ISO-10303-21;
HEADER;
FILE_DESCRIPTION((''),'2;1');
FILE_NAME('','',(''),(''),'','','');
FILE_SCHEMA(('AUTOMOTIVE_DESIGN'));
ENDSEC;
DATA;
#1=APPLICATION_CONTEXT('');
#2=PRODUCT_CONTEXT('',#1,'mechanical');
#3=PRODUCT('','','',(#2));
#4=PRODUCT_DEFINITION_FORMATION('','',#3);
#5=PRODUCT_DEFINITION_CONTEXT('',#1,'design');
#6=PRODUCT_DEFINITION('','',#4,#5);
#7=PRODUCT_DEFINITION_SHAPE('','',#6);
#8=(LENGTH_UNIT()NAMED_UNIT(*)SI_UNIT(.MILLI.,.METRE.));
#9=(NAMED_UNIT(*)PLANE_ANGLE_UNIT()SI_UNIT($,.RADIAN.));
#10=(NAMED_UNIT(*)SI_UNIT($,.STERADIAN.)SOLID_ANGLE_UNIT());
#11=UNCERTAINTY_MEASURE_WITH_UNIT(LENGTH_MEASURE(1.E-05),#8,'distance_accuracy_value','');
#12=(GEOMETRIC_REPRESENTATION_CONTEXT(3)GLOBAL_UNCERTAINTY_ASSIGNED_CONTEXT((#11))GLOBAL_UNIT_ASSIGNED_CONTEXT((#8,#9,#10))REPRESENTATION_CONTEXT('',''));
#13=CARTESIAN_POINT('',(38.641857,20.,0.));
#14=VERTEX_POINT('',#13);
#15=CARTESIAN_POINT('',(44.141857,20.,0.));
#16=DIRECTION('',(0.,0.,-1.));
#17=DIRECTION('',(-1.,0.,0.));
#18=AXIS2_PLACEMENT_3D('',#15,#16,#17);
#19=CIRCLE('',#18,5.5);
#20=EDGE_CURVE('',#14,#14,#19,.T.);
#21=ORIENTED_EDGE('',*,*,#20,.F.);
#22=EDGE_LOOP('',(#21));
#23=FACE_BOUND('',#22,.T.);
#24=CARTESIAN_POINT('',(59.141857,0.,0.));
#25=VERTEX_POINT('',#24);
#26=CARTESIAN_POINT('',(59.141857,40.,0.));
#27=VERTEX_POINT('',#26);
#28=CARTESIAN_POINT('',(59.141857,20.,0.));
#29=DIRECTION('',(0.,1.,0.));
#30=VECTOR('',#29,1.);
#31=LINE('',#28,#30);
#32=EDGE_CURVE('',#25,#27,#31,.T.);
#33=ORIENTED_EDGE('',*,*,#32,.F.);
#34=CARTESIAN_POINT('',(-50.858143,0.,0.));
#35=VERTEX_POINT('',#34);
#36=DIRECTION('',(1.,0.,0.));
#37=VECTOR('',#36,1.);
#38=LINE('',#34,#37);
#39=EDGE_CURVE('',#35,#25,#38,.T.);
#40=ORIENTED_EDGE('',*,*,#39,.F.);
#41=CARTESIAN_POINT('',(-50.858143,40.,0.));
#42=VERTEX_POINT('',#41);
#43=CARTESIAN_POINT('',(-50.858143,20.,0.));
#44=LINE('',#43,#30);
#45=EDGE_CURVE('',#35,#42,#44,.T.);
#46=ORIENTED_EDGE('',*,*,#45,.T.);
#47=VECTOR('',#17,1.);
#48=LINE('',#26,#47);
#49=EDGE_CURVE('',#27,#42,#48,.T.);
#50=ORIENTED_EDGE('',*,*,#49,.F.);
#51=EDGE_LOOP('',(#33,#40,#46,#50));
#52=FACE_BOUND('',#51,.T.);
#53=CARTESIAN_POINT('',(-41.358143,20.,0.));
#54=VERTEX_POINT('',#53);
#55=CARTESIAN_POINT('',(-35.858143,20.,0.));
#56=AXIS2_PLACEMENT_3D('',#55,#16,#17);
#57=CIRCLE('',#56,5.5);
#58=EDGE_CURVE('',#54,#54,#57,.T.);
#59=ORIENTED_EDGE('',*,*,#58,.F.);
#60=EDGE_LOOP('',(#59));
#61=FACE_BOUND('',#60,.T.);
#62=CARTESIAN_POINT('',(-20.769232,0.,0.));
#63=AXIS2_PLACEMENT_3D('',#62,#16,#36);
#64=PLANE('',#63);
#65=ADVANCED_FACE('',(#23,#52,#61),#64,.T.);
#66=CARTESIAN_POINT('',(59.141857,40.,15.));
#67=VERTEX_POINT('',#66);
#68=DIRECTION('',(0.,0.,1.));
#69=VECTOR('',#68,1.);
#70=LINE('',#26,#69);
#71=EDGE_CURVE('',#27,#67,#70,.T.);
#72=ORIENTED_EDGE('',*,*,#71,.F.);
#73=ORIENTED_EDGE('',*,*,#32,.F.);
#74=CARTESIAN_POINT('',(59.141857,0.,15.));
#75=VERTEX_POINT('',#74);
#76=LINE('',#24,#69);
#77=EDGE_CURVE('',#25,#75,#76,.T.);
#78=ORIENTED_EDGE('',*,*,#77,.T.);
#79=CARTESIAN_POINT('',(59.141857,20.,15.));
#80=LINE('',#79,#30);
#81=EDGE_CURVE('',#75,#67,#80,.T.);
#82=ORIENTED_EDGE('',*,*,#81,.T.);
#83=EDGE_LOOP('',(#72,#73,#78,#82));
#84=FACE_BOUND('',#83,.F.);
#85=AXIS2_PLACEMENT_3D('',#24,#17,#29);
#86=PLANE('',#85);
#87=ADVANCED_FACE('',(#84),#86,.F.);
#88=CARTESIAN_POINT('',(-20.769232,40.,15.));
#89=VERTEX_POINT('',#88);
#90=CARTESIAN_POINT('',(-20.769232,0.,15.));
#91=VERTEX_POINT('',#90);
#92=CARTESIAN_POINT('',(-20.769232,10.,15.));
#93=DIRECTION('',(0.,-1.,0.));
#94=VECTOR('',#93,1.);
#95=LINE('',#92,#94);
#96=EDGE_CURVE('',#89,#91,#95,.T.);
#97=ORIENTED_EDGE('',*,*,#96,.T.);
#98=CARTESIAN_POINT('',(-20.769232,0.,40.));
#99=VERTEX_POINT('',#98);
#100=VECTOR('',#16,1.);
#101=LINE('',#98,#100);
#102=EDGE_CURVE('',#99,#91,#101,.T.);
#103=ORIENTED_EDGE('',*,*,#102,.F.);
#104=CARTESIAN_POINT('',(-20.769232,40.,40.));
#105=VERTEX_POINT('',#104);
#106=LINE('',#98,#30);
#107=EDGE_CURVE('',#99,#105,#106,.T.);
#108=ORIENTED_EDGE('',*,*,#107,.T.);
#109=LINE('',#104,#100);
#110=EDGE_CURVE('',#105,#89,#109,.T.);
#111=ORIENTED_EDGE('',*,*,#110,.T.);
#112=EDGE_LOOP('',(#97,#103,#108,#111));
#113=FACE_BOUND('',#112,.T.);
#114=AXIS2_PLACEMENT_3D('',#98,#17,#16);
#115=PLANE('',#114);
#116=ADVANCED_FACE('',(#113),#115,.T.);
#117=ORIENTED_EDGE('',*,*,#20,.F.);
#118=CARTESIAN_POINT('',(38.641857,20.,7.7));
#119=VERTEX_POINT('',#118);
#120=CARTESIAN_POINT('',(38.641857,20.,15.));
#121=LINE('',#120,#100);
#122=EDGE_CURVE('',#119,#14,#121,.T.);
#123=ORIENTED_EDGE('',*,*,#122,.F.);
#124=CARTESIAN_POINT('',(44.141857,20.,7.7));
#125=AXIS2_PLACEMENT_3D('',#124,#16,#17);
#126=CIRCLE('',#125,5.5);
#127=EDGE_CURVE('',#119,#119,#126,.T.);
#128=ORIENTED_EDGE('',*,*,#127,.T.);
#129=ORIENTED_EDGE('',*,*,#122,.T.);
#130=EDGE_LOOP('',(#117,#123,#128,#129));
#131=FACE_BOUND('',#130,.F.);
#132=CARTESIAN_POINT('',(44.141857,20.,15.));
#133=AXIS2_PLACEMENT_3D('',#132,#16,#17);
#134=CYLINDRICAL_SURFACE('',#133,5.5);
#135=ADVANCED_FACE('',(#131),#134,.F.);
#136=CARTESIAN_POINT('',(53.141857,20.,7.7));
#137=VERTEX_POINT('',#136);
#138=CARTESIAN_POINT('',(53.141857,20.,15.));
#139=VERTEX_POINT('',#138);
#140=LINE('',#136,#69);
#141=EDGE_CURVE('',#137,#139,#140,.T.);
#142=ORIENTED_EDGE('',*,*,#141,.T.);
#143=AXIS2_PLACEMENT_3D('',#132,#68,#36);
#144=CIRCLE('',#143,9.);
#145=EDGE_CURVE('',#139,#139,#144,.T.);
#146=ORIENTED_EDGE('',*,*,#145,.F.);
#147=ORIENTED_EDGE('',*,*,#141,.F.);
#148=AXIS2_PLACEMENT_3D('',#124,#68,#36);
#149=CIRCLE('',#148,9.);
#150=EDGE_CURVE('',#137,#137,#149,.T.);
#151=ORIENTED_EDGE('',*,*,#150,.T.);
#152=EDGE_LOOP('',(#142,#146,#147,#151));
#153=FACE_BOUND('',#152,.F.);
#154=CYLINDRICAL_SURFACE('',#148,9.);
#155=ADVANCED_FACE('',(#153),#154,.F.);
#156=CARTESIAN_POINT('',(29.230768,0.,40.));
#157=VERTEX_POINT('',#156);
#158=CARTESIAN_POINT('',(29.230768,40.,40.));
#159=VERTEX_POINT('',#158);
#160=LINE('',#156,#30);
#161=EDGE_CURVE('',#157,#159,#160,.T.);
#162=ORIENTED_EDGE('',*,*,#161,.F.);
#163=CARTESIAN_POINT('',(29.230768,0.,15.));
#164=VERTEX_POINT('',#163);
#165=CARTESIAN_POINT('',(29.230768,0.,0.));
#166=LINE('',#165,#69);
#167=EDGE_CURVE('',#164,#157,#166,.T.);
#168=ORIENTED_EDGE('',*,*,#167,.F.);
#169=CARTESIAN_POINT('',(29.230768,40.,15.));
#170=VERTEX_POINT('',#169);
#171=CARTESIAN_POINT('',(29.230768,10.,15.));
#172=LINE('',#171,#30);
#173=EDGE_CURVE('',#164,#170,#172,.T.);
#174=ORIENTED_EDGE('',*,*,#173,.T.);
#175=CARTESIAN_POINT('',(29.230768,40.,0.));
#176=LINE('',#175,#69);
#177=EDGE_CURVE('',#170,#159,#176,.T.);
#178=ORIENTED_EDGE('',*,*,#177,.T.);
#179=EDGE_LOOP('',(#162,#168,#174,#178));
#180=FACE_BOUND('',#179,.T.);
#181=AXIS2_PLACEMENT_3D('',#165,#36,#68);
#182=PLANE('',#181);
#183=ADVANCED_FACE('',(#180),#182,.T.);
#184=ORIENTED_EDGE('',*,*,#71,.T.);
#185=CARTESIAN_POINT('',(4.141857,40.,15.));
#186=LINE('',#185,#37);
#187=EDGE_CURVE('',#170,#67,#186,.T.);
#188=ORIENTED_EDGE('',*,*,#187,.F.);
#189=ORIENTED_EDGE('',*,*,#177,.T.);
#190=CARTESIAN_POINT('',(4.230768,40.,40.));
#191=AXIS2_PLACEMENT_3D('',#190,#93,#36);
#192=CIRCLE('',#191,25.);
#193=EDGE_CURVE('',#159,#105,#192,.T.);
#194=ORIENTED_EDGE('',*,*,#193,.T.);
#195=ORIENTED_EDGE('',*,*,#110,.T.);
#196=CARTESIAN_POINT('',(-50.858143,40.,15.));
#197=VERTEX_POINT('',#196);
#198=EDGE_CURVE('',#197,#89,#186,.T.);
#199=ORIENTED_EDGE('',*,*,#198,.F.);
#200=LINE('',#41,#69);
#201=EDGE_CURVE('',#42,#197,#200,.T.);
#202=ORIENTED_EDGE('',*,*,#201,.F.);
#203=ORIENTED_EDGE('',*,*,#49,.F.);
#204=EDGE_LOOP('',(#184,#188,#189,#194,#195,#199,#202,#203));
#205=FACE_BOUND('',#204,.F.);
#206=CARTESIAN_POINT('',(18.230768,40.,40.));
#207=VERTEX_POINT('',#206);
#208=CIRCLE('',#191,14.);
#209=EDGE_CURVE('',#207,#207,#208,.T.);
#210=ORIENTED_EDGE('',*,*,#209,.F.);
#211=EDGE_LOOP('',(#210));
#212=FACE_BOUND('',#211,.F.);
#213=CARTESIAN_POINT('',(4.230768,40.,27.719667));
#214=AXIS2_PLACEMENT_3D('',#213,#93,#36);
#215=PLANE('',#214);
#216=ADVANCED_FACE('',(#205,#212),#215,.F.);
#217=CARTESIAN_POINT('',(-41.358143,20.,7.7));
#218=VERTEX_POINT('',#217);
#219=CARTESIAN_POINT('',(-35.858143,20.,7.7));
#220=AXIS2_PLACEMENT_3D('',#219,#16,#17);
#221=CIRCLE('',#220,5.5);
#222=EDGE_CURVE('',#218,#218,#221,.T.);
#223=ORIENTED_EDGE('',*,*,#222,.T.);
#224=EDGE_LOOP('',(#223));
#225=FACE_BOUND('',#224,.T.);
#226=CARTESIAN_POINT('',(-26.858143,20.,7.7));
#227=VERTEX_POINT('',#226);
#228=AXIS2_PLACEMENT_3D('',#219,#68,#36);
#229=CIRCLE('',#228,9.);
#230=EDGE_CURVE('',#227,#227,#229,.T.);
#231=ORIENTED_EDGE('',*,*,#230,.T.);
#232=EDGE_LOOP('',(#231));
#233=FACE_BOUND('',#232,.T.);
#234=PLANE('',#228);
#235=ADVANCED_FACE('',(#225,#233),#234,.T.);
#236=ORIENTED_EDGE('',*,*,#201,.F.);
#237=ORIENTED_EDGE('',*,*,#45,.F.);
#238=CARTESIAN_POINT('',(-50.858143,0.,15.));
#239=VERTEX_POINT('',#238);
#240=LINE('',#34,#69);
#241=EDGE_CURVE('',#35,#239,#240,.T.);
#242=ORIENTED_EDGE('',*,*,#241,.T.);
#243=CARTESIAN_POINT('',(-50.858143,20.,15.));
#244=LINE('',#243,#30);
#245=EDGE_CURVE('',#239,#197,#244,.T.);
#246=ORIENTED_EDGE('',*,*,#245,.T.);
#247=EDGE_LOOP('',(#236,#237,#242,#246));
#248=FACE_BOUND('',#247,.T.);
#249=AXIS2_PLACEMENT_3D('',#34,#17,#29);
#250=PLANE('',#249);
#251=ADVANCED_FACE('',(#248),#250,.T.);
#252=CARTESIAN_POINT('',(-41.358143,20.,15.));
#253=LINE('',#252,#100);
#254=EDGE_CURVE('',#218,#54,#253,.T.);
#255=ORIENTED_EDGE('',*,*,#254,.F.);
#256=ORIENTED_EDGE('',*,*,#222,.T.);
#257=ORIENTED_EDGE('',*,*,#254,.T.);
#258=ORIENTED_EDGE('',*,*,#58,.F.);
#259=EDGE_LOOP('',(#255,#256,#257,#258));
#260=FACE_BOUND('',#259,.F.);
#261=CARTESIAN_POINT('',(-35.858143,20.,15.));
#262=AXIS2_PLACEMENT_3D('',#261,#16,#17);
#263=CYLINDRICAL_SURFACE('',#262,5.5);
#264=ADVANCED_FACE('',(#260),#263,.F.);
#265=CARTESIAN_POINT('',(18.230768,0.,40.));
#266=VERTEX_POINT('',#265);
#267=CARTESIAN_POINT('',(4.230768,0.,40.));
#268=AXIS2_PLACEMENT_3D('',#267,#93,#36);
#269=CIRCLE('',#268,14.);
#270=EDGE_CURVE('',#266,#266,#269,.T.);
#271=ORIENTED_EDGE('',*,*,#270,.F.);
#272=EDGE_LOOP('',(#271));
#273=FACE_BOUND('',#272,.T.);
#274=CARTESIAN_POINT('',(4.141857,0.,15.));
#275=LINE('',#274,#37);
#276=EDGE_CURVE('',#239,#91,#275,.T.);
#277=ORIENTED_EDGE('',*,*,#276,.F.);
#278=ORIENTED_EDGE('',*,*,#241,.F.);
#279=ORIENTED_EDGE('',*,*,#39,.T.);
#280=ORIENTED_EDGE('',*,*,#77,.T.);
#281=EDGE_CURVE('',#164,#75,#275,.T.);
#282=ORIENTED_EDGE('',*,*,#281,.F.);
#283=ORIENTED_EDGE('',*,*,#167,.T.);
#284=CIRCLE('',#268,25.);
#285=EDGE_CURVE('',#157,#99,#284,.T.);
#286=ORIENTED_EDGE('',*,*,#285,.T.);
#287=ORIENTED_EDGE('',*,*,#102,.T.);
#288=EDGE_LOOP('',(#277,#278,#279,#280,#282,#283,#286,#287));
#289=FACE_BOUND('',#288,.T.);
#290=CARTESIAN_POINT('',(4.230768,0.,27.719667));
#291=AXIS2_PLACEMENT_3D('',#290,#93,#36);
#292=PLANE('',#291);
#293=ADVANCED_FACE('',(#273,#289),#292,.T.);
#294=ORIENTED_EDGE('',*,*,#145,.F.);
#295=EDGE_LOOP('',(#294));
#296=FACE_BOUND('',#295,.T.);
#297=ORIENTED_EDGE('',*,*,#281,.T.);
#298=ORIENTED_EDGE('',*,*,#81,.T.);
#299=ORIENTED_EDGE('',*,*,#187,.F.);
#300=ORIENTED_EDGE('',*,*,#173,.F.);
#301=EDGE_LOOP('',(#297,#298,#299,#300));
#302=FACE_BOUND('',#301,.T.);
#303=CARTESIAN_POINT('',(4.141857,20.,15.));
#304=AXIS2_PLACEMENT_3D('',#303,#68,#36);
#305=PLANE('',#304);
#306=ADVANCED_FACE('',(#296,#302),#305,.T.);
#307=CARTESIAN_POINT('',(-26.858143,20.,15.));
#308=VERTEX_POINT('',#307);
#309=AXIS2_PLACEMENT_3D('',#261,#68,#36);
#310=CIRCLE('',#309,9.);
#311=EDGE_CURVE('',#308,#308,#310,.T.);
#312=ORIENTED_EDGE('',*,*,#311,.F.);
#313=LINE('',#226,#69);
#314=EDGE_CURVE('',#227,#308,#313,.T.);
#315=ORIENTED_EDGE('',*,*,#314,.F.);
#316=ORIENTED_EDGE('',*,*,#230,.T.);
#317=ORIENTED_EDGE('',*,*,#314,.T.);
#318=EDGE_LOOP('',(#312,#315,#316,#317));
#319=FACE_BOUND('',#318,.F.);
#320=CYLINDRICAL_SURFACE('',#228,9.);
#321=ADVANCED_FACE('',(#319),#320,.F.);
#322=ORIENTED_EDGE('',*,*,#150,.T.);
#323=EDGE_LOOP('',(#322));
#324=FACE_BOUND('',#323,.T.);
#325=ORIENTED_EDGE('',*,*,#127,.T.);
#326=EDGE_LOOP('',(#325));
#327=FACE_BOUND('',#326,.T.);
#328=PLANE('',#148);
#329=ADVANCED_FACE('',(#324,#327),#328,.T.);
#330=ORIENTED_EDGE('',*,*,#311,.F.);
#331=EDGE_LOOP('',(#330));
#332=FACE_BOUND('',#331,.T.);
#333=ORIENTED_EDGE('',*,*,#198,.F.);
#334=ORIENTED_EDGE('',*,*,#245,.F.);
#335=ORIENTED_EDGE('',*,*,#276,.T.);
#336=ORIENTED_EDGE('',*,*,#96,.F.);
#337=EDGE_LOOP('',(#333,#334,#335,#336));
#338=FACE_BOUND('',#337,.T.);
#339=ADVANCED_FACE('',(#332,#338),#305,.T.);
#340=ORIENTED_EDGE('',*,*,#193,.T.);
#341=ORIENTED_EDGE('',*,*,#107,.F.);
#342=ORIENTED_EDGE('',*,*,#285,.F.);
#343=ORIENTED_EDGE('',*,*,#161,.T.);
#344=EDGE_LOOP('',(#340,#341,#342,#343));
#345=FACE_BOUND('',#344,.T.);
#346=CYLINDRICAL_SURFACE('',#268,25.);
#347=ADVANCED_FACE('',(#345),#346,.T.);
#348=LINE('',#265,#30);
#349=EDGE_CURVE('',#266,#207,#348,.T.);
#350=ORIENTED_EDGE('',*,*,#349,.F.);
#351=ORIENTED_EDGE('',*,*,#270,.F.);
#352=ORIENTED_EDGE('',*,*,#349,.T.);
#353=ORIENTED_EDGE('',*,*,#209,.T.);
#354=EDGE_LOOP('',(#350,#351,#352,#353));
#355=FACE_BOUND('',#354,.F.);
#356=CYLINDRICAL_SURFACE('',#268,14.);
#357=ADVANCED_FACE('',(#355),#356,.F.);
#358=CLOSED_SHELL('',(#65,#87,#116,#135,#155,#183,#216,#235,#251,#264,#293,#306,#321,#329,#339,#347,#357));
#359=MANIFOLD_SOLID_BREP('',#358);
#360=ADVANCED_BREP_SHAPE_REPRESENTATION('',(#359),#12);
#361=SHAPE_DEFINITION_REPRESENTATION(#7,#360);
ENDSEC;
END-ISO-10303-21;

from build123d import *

# Parameters (mm, degrees)
F0_W           = 110
F0_H           = 40
F1_DEPTH       = 15
F3_D           = 11
F3_CBORE_D     = 18
F3_CBORE_DEPTH = 7.3
F4_D           = 11
F4_CBORE_D     = 18
F4_CBORE_DEPTH = 7.3
F5_R           = 14
F6_DEPTH       = 40


with BuildPart() as f1:
    # F0 (on Top) → F1 (new body)
    with BuildSketch(Plane.XY):
        with Locations((4.1418567452, 20)):
            Rectangle(F0_W, F0_H)
    extrude(amount=F1_DEPTH)

    # F3 (through all)
    with Locations(Plane.XY.offset(15)):
        with Locations((-35.8581432548, 20)):
            CounterBoreHole(F3_D / 2, F3_CBORE_D / 2, F3_CBORE_DEPTH)

    # F4 (through all)
    with Locations(Plane.XY.offset(15)):
        with Locations((44.1418567452, 20)):
            CounterBoreHole(F4_D / 2, F4_CBORE_D / 2, F4_CBORE_DEPTH)

    # F5 (on Front) → F6 (join)
    with BuildSketch(Plane.XZ):
        with BuildLine():
            Line((-20.7692322135, 40), (-20.7692322135, 15.2884628624))
            Line((-20.7692322135, 15.2884628624), (-20.7692322135, 0))
            Line((-20.7692322135, 0), (29.2307677865, 0))
            Line((29.2307677865, 0), (29.2307677865, 15.2884628624))
            Line((29.2307677865, 15.2884628624), (29.2307677865, 40))
            ThreePointArc((29.2307677865, 40), (4.2307677865, 65), (-20.7692322135, 40))
        make_face()
        with Locations((4.2307677865, 40)):
            Circle(F5_R, mode=Mode.SUBTRACT)
    extrude(amount=-F6_DEPTH)


solid = f1.part
